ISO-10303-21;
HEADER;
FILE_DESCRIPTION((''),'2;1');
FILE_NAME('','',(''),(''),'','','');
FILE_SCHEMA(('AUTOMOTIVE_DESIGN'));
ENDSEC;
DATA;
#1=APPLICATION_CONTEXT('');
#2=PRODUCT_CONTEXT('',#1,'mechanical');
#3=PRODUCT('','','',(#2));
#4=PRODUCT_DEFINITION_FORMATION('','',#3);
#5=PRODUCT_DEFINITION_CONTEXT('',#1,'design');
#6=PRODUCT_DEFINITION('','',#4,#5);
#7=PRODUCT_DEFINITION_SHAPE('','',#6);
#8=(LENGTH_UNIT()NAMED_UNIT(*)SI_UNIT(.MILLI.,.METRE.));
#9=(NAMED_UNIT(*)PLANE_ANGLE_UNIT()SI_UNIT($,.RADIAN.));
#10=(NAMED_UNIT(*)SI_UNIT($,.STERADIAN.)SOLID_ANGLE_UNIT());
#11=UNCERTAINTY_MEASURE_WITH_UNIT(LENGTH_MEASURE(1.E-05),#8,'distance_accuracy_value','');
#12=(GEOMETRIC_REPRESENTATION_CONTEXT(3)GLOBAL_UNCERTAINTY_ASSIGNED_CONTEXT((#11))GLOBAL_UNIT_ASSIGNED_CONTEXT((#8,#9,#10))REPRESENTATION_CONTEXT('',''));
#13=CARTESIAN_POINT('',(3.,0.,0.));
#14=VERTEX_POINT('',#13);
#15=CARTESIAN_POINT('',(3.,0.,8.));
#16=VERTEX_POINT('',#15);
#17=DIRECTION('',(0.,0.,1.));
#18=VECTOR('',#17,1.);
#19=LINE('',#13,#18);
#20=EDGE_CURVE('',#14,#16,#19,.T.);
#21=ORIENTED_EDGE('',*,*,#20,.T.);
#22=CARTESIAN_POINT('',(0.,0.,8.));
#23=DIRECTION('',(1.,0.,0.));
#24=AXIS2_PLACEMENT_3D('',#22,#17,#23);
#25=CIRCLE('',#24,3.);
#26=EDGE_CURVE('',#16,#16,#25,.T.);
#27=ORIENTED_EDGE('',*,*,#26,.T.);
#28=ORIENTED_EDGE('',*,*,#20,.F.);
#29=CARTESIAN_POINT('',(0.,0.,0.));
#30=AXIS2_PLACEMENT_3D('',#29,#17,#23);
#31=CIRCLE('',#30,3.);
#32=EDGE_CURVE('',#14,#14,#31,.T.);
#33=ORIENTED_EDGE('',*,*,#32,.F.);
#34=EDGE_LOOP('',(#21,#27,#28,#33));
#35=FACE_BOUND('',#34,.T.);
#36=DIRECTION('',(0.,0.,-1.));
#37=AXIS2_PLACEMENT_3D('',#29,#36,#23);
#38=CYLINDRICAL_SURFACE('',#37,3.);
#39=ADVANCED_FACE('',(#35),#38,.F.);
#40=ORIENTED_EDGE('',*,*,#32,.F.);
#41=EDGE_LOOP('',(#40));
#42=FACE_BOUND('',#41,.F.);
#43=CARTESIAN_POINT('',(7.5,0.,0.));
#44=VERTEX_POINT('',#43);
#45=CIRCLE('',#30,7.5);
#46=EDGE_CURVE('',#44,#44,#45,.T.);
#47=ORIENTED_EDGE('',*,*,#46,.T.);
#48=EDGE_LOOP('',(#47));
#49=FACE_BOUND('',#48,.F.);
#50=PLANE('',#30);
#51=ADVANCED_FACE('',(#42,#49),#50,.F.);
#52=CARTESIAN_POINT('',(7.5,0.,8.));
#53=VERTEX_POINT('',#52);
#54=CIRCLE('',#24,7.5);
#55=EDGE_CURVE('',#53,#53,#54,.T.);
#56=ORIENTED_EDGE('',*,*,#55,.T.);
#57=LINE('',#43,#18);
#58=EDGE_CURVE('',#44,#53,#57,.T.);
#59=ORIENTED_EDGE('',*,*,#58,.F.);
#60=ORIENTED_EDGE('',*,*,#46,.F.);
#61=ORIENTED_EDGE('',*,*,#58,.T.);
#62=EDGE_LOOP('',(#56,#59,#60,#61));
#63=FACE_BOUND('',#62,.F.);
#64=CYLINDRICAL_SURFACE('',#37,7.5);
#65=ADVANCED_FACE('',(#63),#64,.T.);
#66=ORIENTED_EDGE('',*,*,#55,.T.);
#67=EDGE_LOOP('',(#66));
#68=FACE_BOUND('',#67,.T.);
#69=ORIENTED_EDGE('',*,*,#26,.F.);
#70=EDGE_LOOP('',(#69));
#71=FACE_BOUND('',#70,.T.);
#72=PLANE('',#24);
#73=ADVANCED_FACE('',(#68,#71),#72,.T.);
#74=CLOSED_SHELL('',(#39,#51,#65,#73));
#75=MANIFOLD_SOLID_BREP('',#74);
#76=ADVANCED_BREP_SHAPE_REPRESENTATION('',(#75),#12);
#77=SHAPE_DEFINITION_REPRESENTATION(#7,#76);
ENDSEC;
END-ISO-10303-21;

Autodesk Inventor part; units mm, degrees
ref_plane "YZ Plane" through (0, 0, 0) normal (1, 0, 0) x (0, 1, 0)
ref_plane "XZ Plane" through (0, 0, 0) normal (0, 1, 0) x (-1, 0, 0)
ref_plane "XY Plane" through (0, 0, 0) normal (0, 0, 1) x (1, 0, 0)
sketch "スケッチ1" plane through (0, 0, 0) normal (0, 0, 1) x (1, 0, 0)
  circle A0 centre (0, 0) radius 3
  circle A1 centre (0, 0) radius 7.5
  dimension "d0" = 6
  dimension "d1" = 15
extrude "押し出し1" add sketch "スケッチ1" along normal blind 8
properties part number "セットカラー　内径6" material "アセタール樹脂、白"
